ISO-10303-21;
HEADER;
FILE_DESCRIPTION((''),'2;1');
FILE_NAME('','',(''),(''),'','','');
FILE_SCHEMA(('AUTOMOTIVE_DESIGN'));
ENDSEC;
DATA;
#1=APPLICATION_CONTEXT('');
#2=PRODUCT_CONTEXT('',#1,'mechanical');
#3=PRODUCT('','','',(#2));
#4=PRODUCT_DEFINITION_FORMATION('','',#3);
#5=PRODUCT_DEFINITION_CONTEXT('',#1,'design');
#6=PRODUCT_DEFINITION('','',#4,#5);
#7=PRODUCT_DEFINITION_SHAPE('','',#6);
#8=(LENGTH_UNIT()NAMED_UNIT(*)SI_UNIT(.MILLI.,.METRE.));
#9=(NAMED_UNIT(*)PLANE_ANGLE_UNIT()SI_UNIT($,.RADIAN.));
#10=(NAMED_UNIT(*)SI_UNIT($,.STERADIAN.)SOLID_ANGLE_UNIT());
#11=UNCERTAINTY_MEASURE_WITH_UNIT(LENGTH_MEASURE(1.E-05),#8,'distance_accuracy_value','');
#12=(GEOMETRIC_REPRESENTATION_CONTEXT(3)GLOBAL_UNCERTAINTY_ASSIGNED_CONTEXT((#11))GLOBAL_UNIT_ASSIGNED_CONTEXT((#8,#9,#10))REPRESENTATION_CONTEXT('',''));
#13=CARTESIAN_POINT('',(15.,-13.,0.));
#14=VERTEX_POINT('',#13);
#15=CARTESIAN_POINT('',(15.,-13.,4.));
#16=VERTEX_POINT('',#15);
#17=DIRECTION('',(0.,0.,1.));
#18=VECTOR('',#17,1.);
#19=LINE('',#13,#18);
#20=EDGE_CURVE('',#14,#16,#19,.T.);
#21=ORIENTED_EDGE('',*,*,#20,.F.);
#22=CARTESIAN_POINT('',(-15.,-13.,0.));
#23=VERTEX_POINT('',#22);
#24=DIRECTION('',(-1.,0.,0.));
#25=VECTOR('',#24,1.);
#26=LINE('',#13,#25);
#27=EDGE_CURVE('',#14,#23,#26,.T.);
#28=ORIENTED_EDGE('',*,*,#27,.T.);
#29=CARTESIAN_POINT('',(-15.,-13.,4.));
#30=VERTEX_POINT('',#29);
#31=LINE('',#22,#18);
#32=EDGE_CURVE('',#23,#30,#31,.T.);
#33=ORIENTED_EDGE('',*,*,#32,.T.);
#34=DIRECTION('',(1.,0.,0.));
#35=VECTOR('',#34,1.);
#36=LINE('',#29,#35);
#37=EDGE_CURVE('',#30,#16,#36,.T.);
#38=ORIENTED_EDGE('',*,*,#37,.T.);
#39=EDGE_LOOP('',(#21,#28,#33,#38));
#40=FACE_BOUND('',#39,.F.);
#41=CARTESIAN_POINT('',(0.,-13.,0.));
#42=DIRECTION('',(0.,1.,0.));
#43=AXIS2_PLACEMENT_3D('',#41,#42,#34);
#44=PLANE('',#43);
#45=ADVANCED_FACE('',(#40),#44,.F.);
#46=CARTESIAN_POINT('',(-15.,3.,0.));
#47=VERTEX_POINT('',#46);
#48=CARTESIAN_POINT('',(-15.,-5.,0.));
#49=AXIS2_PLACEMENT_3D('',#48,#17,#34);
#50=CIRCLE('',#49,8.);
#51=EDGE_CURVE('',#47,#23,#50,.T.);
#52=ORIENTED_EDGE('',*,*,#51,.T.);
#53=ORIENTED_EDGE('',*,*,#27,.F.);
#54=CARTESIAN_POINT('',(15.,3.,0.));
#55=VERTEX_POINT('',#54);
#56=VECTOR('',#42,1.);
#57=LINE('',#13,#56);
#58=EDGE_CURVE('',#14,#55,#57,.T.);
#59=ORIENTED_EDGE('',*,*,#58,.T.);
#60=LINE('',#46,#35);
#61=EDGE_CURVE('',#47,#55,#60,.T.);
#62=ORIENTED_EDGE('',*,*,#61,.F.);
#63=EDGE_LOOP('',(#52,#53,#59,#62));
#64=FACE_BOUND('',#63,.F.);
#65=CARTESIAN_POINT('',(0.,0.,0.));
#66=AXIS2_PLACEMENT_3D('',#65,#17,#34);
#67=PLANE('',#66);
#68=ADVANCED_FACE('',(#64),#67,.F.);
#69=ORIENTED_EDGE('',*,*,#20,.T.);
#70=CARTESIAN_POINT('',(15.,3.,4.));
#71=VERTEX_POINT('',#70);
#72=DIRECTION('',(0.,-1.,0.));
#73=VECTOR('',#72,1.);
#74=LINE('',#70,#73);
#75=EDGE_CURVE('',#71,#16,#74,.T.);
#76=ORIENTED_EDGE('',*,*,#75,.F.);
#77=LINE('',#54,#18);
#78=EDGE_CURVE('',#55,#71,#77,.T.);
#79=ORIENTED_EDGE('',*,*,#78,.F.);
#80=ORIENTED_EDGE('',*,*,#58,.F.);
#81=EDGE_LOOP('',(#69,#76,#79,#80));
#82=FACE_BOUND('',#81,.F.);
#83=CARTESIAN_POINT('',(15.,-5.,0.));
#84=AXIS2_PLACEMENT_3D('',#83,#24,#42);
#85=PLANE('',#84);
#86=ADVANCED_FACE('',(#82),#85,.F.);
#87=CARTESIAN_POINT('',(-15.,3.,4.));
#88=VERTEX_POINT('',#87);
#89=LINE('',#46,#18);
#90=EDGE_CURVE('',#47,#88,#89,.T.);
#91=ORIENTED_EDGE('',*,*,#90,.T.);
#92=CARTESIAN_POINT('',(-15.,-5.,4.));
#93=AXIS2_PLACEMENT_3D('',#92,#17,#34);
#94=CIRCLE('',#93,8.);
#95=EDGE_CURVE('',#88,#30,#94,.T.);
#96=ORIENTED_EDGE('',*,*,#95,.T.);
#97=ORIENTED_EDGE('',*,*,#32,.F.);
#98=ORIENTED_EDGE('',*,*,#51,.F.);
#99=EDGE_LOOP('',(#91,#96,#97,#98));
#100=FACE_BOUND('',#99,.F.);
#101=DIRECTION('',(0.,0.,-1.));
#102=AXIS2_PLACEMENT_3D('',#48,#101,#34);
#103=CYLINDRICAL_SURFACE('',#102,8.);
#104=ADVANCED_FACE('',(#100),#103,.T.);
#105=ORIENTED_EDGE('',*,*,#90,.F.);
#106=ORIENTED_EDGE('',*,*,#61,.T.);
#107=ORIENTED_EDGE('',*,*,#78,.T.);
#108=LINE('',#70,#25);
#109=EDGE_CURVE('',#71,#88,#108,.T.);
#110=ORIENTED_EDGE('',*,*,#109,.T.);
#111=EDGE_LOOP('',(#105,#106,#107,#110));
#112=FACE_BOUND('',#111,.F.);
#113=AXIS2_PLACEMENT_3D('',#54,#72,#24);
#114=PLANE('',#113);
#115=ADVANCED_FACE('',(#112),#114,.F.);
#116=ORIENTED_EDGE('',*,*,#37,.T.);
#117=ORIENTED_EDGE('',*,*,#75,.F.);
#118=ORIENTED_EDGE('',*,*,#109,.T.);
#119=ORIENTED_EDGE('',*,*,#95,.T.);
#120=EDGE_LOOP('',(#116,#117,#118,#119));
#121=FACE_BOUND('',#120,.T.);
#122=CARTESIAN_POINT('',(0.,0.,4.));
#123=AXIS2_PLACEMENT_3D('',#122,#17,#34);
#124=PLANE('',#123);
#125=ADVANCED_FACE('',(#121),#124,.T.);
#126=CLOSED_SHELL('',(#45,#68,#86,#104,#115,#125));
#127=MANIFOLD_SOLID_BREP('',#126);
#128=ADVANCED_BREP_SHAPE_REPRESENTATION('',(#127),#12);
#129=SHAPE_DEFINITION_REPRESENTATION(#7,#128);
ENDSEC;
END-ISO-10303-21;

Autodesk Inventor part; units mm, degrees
ref_plane "YZ Plane" through (0, 0, 0) normal (1, 0, 0) x (0, 1, 0)
ref_plane "XZ Plane" through (0, 0, 0) normal (0, 1, 0) x (-1, 0, 0)
ref_plane "XY Plane" through (0, 0, 0) normal (0, 0, 1) x (1, 0, 0)
sketch "Sketch1" plane through (0, 0, 0) normal (0, 0, 1) x (1, 0, 0)
  line L0 (0, -1) -> (0, -9) projected
  line L1 (0, -9) -> (50, -9) projected
  line L2 (50, -1) -> (50, -9) projected
  line L3 (0, -1) -> (50, -1) projected
  line L4 (50, -5) -> (0, -5)
  line L5 (25, -5) -> (-15, -5)
  circle A0 centre (-15, -5) radius 8
  line L6 (-15, -5) -> (-15, -13)
  line L7 (-15, -5) -> (-15, 3)
  line L8 (-15, -13) -> (0, -13)
  line L9 (0, -13) -> (0, 3)
  line L10 (0, 3) -> (-15, 3)
  line L11 (-15, 3) -> (-15, -13)
  line L12 (0, -13) -> (15, -13)
  line L13 (15, -13) -> (15, 3)
  line L14 (15, 3) -> (0, 3)
  line L15 (0, 3) -> (0, -13)
  dimension "d0" = 40
  dimension "d1" = 16
  dimension "d2" = 15
  dimension "d3" = 16
  dimension "d4" = 15
  dimension "d5" = 16
extrude "Extrusion1" add sketch "Sketch1" along normal blind 4 contours L3 L13 L4 L0 | L9 L14 L13 L3 | L0 L5 A0 L10 L9 | L4 L13 L1 L0 | L0 L9 L8 A0 L5 | L1 L13 L12 L9 | A0 L6 L5 | L5 L7 A0 | L7 L6 A0
properties part number "leg_bone_1"
